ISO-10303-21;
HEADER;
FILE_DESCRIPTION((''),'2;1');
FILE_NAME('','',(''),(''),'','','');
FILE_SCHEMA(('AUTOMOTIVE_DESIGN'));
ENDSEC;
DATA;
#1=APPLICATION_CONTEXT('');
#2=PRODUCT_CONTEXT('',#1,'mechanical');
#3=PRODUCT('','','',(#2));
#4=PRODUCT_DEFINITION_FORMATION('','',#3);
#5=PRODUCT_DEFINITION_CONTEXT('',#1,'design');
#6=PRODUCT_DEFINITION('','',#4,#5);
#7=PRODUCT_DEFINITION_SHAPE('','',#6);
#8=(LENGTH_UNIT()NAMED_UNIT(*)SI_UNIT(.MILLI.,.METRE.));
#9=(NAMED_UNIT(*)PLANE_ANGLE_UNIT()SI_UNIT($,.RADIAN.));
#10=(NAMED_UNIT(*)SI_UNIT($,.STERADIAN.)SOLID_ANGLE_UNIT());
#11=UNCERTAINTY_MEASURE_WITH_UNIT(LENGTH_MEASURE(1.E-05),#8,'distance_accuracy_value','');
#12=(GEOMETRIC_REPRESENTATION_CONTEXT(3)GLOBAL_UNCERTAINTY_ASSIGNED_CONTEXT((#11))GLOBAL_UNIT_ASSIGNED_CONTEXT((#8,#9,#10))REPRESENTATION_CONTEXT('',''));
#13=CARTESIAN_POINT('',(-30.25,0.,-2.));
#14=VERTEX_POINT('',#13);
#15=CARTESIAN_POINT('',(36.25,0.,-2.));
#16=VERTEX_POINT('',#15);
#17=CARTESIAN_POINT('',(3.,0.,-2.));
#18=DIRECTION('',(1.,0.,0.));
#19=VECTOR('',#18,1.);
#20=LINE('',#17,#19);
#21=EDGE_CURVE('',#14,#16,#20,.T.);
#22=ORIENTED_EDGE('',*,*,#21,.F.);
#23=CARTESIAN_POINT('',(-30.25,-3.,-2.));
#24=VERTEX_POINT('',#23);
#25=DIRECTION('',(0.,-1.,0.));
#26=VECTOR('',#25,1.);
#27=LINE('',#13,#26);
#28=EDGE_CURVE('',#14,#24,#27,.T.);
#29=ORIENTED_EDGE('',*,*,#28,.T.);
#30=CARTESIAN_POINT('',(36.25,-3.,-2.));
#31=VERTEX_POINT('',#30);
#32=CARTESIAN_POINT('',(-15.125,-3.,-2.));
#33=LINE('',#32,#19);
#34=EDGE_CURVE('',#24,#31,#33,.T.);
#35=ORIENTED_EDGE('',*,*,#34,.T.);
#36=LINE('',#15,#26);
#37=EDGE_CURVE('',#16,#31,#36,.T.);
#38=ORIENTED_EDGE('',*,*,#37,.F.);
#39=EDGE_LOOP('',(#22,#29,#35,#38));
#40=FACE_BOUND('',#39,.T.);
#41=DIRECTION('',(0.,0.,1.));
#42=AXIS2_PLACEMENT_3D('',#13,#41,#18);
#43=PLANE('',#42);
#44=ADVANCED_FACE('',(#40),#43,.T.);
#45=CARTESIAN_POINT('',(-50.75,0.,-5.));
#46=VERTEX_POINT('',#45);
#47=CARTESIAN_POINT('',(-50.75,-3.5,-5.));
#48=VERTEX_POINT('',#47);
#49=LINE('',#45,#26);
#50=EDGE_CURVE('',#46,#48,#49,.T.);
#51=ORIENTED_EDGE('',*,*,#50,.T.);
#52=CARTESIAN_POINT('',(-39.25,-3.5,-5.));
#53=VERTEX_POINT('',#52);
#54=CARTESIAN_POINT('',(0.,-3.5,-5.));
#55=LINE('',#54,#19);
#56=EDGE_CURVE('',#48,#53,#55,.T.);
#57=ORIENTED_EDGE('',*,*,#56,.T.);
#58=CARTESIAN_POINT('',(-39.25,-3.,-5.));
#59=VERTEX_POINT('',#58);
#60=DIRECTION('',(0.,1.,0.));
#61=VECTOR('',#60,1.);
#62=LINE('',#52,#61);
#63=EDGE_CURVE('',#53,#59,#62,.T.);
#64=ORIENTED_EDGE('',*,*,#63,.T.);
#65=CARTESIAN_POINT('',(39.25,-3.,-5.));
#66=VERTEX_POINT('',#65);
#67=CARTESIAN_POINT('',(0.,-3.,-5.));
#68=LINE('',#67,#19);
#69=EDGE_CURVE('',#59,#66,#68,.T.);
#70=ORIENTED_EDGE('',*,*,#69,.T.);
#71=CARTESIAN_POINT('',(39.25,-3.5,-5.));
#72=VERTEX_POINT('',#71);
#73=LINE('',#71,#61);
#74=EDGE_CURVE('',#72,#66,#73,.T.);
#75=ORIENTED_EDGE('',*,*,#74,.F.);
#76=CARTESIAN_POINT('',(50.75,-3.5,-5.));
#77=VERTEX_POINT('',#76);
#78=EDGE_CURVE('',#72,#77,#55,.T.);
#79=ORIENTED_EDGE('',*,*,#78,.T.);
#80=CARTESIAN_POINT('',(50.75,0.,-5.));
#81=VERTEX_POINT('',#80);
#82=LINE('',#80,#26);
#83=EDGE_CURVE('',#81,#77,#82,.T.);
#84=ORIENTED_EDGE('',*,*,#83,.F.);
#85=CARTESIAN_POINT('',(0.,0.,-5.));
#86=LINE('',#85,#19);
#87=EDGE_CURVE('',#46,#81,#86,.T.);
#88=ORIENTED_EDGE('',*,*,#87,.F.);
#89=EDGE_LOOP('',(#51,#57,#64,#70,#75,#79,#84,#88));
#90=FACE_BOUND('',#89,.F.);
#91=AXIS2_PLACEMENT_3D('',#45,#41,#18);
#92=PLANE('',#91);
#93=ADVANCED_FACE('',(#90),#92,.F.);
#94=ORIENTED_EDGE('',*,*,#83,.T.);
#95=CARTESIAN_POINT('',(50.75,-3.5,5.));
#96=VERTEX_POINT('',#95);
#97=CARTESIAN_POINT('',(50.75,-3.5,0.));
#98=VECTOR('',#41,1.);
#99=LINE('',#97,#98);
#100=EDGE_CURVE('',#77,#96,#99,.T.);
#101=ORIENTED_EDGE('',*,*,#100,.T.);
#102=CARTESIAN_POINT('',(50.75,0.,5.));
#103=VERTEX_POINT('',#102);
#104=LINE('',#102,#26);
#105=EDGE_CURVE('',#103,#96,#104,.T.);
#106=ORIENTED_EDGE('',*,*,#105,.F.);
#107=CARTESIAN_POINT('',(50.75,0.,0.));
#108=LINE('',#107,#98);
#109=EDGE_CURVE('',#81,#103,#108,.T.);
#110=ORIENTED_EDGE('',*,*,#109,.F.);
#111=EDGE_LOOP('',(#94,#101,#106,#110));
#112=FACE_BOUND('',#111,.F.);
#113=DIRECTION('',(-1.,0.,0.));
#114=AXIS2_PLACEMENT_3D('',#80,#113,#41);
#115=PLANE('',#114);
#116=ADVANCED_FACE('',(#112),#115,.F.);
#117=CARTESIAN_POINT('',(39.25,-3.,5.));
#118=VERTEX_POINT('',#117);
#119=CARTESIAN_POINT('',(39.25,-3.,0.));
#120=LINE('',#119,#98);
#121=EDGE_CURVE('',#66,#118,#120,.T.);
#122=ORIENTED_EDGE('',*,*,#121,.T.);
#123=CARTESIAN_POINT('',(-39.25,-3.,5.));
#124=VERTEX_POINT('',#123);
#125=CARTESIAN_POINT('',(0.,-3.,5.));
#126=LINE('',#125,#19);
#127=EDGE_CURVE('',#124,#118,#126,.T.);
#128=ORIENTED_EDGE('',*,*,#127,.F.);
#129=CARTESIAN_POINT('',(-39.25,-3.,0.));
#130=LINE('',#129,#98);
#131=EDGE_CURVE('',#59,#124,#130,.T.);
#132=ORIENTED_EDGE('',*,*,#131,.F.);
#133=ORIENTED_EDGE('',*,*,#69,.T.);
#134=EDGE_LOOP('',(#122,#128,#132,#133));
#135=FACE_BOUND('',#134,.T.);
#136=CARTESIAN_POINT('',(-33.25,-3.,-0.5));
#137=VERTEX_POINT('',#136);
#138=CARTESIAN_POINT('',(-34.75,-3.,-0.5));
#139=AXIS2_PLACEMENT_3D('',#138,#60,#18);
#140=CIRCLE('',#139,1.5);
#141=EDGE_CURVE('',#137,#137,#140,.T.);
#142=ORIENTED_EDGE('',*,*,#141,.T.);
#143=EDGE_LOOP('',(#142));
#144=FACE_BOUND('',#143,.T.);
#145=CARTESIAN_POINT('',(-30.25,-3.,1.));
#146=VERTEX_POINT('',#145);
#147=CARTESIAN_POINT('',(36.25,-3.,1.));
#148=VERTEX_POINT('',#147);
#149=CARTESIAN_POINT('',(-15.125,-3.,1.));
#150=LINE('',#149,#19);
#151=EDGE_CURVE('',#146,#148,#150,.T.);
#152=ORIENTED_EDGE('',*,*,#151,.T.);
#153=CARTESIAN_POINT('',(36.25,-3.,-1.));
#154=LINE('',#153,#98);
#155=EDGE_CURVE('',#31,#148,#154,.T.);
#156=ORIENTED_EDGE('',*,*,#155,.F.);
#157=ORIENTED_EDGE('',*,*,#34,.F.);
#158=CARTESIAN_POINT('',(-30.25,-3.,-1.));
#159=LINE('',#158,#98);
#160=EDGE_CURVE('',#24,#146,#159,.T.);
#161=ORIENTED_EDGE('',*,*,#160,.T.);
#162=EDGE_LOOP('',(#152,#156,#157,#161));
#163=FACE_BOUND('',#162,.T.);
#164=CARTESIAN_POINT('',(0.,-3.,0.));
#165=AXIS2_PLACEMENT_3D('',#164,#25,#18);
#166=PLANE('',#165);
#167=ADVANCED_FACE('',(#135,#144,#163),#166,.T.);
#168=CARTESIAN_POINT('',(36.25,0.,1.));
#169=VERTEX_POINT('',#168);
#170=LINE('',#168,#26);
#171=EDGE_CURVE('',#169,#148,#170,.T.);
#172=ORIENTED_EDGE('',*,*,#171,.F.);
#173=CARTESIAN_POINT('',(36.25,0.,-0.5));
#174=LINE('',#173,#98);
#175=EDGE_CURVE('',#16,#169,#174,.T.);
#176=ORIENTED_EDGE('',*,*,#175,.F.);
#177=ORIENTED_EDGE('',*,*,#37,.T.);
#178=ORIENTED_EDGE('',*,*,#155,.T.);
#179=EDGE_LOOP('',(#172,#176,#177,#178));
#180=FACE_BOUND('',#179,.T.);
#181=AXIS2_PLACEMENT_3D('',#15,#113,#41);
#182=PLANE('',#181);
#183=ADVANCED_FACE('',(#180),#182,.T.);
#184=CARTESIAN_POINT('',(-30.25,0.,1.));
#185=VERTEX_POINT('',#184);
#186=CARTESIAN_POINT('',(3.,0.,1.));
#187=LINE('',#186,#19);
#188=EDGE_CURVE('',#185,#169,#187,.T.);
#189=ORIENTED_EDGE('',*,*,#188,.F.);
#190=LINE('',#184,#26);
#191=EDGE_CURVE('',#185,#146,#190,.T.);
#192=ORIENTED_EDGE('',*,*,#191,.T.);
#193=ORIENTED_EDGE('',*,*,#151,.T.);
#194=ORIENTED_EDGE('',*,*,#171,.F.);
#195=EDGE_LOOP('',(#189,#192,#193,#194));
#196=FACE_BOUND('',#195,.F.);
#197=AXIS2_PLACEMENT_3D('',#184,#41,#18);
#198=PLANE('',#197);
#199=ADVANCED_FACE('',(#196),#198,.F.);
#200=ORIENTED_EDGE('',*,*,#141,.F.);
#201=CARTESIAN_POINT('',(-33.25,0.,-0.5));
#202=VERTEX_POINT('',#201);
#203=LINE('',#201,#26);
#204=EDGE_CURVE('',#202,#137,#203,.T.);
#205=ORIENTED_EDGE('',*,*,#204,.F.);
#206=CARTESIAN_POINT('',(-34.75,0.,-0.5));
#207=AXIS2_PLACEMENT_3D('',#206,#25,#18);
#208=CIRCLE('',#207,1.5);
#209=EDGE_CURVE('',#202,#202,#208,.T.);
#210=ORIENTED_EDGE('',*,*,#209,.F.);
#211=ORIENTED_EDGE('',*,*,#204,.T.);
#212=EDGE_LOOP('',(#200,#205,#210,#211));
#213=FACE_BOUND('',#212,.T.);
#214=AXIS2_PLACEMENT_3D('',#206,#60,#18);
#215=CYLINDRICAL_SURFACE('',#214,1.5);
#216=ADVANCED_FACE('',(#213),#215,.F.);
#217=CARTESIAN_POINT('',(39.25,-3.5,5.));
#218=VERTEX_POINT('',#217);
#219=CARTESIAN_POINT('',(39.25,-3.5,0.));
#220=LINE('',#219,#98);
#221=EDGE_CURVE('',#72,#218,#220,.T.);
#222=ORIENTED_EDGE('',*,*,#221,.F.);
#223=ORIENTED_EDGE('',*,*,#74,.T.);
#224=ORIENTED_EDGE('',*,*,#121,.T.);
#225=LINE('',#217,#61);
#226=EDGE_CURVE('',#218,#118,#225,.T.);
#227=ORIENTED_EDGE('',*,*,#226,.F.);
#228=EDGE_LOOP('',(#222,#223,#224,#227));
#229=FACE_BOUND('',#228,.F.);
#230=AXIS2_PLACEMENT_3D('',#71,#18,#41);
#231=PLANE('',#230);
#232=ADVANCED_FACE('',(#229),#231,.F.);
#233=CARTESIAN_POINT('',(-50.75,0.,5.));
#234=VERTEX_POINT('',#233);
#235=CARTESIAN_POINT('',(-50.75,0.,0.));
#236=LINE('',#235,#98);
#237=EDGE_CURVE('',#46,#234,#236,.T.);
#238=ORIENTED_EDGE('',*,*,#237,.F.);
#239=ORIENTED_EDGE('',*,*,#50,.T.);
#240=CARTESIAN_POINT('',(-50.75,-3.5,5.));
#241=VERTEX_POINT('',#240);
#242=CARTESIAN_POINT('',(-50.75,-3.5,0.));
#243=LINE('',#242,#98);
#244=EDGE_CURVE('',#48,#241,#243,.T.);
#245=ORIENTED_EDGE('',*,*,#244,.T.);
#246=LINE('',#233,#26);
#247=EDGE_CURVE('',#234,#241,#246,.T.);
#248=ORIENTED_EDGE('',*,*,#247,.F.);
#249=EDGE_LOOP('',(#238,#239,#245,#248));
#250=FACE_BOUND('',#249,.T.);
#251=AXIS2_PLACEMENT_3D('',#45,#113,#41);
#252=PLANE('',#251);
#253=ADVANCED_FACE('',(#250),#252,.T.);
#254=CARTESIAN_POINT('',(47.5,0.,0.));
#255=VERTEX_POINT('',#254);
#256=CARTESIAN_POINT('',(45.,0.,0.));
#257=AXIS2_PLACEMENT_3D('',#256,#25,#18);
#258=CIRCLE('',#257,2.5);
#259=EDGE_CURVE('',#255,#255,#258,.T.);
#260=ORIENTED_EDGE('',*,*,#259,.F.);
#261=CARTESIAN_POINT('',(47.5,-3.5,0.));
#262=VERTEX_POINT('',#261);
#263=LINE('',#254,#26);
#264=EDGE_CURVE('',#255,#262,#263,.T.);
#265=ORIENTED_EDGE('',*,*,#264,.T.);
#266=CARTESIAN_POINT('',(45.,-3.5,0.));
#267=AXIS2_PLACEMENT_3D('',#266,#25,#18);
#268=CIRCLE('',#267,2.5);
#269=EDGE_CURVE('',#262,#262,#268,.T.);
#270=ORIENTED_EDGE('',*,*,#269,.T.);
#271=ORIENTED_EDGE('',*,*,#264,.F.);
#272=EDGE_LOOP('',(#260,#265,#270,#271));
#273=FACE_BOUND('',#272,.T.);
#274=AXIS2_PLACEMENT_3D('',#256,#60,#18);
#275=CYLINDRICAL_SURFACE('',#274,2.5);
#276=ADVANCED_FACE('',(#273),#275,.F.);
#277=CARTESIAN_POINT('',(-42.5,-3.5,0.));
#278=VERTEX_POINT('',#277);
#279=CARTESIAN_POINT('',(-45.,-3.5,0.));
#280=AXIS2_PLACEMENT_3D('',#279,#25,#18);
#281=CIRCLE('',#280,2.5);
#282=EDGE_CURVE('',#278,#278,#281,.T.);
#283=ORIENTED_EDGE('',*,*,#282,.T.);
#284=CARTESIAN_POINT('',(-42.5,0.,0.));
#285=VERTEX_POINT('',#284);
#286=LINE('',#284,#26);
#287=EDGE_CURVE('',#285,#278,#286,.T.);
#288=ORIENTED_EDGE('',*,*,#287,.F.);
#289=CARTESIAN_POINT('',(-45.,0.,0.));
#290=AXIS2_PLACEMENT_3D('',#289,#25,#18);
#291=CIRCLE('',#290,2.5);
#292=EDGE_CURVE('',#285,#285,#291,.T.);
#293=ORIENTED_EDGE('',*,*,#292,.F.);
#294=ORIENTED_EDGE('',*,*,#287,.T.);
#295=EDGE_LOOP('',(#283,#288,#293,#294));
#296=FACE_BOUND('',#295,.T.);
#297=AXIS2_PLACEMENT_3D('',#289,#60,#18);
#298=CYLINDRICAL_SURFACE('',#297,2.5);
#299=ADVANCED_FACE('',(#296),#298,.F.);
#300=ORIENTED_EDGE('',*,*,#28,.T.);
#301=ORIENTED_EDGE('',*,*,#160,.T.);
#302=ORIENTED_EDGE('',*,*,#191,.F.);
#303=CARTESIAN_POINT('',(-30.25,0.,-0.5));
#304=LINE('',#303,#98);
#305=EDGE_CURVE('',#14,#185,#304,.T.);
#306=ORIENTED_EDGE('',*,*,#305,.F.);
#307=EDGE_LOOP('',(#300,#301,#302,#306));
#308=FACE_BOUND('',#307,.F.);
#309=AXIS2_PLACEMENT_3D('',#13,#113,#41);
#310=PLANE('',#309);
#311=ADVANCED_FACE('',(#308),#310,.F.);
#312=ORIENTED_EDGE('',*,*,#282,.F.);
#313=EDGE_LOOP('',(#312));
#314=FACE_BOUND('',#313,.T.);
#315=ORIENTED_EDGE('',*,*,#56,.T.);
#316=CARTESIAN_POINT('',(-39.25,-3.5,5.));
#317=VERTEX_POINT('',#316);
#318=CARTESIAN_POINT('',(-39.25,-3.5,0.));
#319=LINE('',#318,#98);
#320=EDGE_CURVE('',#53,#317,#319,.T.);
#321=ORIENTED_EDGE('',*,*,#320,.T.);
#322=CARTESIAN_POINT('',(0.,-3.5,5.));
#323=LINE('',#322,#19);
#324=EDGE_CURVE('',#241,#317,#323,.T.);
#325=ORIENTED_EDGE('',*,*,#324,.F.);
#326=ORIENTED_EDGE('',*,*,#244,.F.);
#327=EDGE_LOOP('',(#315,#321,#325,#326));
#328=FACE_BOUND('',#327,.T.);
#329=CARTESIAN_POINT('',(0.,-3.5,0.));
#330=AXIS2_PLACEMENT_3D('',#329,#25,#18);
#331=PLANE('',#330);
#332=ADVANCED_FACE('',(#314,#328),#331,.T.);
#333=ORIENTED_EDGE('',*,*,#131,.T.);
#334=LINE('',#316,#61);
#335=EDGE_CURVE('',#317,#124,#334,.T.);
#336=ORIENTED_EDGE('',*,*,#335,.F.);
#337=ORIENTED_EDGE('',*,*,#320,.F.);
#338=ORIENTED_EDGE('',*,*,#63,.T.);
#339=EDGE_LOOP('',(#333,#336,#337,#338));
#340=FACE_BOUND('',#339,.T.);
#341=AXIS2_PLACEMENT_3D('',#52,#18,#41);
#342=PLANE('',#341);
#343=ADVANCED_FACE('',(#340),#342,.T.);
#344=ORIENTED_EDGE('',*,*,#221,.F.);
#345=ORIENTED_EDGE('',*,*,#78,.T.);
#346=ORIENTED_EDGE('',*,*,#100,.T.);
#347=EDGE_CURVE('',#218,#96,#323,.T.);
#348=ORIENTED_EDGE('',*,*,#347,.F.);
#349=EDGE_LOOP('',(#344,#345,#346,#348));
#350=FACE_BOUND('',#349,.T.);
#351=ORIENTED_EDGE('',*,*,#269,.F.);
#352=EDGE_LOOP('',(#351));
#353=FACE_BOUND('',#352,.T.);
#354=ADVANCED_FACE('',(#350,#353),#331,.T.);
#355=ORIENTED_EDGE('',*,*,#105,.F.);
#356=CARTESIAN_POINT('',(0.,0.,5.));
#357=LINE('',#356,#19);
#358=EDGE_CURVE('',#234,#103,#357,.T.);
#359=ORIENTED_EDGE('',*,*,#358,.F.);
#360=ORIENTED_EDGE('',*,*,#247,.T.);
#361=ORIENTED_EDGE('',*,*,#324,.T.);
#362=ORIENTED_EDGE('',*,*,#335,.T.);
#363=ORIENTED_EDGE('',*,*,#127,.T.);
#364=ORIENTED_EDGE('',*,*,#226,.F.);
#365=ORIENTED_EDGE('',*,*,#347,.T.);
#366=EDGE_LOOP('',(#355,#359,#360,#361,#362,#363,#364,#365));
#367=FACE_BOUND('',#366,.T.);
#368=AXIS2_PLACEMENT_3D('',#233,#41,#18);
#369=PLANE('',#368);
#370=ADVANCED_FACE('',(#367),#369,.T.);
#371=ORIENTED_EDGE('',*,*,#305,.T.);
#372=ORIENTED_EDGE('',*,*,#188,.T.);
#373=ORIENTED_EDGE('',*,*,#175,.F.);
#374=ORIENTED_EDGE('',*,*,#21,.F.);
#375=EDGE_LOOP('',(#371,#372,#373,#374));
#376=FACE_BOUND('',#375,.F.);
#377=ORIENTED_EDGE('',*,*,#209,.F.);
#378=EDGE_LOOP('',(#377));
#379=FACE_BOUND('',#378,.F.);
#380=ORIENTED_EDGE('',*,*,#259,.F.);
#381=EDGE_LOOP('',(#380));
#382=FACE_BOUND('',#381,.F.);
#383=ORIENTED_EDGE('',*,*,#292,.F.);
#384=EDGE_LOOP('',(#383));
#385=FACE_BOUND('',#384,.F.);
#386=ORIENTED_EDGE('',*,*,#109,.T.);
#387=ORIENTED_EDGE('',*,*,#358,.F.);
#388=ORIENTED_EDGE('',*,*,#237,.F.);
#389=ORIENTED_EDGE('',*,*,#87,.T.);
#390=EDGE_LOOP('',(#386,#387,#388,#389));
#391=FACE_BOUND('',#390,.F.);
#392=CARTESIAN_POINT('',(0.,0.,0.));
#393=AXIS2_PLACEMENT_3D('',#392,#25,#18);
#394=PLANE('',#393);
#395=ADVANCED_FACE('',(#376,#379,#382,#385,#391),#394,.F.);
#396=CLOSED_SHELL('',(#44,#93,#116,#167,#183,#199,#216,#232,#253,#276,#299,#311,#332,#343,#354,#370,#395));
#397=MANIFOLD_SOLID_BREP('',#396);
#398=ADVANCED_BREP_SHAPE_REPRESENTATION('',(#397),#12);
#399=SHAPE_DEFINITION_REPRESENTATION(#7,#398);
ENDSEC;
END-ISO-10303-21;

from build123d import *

# Parameters (mm, degrees)
F0_W     = 101.5
F0_H     = 10
F0_R     = 1.5
F0_W_2   = 66.5
F0_H_2   = 3
F0_R_2   = 2.5
F1_DEPTH = 3.5
F2_W     = 78.5
F2_H     = 10
F3_DEPTH = 0.5


with BuildPart() as f1:
    # F0 (on Front) → F1 (new body)
    with BuildSketch(Plane.XZ):
        Rectangle(F0_W, F0_H)
        with Locations((-34.75, -0.5)):
            Circle(F0_R, mode=Mode.SUBTRACT)
        with Locations((3, -0.5)):
            Rectangle(F0_W_2, F0_H_2, mode=Mode.SUBTRACT)
        with Locations((-45, 0)):
            Circle(F0_R_2, mode=Mode.SUBTRACT)
        with Locations((45, 0)):
            Circle(F0_R_2, mode=Mode.SUBTRACT)
    extrude(amount=F1_DEPTH)

    # F2 (on face) → F3 (cut)
    with BuildSketch(Plane.XZ.offset(3.5)):
        Rectangle(F2_W, F2_H)
    extrude(amount=-F3_DEPTH, mode=Mode.SUBTRACT)


solid = f1.part
